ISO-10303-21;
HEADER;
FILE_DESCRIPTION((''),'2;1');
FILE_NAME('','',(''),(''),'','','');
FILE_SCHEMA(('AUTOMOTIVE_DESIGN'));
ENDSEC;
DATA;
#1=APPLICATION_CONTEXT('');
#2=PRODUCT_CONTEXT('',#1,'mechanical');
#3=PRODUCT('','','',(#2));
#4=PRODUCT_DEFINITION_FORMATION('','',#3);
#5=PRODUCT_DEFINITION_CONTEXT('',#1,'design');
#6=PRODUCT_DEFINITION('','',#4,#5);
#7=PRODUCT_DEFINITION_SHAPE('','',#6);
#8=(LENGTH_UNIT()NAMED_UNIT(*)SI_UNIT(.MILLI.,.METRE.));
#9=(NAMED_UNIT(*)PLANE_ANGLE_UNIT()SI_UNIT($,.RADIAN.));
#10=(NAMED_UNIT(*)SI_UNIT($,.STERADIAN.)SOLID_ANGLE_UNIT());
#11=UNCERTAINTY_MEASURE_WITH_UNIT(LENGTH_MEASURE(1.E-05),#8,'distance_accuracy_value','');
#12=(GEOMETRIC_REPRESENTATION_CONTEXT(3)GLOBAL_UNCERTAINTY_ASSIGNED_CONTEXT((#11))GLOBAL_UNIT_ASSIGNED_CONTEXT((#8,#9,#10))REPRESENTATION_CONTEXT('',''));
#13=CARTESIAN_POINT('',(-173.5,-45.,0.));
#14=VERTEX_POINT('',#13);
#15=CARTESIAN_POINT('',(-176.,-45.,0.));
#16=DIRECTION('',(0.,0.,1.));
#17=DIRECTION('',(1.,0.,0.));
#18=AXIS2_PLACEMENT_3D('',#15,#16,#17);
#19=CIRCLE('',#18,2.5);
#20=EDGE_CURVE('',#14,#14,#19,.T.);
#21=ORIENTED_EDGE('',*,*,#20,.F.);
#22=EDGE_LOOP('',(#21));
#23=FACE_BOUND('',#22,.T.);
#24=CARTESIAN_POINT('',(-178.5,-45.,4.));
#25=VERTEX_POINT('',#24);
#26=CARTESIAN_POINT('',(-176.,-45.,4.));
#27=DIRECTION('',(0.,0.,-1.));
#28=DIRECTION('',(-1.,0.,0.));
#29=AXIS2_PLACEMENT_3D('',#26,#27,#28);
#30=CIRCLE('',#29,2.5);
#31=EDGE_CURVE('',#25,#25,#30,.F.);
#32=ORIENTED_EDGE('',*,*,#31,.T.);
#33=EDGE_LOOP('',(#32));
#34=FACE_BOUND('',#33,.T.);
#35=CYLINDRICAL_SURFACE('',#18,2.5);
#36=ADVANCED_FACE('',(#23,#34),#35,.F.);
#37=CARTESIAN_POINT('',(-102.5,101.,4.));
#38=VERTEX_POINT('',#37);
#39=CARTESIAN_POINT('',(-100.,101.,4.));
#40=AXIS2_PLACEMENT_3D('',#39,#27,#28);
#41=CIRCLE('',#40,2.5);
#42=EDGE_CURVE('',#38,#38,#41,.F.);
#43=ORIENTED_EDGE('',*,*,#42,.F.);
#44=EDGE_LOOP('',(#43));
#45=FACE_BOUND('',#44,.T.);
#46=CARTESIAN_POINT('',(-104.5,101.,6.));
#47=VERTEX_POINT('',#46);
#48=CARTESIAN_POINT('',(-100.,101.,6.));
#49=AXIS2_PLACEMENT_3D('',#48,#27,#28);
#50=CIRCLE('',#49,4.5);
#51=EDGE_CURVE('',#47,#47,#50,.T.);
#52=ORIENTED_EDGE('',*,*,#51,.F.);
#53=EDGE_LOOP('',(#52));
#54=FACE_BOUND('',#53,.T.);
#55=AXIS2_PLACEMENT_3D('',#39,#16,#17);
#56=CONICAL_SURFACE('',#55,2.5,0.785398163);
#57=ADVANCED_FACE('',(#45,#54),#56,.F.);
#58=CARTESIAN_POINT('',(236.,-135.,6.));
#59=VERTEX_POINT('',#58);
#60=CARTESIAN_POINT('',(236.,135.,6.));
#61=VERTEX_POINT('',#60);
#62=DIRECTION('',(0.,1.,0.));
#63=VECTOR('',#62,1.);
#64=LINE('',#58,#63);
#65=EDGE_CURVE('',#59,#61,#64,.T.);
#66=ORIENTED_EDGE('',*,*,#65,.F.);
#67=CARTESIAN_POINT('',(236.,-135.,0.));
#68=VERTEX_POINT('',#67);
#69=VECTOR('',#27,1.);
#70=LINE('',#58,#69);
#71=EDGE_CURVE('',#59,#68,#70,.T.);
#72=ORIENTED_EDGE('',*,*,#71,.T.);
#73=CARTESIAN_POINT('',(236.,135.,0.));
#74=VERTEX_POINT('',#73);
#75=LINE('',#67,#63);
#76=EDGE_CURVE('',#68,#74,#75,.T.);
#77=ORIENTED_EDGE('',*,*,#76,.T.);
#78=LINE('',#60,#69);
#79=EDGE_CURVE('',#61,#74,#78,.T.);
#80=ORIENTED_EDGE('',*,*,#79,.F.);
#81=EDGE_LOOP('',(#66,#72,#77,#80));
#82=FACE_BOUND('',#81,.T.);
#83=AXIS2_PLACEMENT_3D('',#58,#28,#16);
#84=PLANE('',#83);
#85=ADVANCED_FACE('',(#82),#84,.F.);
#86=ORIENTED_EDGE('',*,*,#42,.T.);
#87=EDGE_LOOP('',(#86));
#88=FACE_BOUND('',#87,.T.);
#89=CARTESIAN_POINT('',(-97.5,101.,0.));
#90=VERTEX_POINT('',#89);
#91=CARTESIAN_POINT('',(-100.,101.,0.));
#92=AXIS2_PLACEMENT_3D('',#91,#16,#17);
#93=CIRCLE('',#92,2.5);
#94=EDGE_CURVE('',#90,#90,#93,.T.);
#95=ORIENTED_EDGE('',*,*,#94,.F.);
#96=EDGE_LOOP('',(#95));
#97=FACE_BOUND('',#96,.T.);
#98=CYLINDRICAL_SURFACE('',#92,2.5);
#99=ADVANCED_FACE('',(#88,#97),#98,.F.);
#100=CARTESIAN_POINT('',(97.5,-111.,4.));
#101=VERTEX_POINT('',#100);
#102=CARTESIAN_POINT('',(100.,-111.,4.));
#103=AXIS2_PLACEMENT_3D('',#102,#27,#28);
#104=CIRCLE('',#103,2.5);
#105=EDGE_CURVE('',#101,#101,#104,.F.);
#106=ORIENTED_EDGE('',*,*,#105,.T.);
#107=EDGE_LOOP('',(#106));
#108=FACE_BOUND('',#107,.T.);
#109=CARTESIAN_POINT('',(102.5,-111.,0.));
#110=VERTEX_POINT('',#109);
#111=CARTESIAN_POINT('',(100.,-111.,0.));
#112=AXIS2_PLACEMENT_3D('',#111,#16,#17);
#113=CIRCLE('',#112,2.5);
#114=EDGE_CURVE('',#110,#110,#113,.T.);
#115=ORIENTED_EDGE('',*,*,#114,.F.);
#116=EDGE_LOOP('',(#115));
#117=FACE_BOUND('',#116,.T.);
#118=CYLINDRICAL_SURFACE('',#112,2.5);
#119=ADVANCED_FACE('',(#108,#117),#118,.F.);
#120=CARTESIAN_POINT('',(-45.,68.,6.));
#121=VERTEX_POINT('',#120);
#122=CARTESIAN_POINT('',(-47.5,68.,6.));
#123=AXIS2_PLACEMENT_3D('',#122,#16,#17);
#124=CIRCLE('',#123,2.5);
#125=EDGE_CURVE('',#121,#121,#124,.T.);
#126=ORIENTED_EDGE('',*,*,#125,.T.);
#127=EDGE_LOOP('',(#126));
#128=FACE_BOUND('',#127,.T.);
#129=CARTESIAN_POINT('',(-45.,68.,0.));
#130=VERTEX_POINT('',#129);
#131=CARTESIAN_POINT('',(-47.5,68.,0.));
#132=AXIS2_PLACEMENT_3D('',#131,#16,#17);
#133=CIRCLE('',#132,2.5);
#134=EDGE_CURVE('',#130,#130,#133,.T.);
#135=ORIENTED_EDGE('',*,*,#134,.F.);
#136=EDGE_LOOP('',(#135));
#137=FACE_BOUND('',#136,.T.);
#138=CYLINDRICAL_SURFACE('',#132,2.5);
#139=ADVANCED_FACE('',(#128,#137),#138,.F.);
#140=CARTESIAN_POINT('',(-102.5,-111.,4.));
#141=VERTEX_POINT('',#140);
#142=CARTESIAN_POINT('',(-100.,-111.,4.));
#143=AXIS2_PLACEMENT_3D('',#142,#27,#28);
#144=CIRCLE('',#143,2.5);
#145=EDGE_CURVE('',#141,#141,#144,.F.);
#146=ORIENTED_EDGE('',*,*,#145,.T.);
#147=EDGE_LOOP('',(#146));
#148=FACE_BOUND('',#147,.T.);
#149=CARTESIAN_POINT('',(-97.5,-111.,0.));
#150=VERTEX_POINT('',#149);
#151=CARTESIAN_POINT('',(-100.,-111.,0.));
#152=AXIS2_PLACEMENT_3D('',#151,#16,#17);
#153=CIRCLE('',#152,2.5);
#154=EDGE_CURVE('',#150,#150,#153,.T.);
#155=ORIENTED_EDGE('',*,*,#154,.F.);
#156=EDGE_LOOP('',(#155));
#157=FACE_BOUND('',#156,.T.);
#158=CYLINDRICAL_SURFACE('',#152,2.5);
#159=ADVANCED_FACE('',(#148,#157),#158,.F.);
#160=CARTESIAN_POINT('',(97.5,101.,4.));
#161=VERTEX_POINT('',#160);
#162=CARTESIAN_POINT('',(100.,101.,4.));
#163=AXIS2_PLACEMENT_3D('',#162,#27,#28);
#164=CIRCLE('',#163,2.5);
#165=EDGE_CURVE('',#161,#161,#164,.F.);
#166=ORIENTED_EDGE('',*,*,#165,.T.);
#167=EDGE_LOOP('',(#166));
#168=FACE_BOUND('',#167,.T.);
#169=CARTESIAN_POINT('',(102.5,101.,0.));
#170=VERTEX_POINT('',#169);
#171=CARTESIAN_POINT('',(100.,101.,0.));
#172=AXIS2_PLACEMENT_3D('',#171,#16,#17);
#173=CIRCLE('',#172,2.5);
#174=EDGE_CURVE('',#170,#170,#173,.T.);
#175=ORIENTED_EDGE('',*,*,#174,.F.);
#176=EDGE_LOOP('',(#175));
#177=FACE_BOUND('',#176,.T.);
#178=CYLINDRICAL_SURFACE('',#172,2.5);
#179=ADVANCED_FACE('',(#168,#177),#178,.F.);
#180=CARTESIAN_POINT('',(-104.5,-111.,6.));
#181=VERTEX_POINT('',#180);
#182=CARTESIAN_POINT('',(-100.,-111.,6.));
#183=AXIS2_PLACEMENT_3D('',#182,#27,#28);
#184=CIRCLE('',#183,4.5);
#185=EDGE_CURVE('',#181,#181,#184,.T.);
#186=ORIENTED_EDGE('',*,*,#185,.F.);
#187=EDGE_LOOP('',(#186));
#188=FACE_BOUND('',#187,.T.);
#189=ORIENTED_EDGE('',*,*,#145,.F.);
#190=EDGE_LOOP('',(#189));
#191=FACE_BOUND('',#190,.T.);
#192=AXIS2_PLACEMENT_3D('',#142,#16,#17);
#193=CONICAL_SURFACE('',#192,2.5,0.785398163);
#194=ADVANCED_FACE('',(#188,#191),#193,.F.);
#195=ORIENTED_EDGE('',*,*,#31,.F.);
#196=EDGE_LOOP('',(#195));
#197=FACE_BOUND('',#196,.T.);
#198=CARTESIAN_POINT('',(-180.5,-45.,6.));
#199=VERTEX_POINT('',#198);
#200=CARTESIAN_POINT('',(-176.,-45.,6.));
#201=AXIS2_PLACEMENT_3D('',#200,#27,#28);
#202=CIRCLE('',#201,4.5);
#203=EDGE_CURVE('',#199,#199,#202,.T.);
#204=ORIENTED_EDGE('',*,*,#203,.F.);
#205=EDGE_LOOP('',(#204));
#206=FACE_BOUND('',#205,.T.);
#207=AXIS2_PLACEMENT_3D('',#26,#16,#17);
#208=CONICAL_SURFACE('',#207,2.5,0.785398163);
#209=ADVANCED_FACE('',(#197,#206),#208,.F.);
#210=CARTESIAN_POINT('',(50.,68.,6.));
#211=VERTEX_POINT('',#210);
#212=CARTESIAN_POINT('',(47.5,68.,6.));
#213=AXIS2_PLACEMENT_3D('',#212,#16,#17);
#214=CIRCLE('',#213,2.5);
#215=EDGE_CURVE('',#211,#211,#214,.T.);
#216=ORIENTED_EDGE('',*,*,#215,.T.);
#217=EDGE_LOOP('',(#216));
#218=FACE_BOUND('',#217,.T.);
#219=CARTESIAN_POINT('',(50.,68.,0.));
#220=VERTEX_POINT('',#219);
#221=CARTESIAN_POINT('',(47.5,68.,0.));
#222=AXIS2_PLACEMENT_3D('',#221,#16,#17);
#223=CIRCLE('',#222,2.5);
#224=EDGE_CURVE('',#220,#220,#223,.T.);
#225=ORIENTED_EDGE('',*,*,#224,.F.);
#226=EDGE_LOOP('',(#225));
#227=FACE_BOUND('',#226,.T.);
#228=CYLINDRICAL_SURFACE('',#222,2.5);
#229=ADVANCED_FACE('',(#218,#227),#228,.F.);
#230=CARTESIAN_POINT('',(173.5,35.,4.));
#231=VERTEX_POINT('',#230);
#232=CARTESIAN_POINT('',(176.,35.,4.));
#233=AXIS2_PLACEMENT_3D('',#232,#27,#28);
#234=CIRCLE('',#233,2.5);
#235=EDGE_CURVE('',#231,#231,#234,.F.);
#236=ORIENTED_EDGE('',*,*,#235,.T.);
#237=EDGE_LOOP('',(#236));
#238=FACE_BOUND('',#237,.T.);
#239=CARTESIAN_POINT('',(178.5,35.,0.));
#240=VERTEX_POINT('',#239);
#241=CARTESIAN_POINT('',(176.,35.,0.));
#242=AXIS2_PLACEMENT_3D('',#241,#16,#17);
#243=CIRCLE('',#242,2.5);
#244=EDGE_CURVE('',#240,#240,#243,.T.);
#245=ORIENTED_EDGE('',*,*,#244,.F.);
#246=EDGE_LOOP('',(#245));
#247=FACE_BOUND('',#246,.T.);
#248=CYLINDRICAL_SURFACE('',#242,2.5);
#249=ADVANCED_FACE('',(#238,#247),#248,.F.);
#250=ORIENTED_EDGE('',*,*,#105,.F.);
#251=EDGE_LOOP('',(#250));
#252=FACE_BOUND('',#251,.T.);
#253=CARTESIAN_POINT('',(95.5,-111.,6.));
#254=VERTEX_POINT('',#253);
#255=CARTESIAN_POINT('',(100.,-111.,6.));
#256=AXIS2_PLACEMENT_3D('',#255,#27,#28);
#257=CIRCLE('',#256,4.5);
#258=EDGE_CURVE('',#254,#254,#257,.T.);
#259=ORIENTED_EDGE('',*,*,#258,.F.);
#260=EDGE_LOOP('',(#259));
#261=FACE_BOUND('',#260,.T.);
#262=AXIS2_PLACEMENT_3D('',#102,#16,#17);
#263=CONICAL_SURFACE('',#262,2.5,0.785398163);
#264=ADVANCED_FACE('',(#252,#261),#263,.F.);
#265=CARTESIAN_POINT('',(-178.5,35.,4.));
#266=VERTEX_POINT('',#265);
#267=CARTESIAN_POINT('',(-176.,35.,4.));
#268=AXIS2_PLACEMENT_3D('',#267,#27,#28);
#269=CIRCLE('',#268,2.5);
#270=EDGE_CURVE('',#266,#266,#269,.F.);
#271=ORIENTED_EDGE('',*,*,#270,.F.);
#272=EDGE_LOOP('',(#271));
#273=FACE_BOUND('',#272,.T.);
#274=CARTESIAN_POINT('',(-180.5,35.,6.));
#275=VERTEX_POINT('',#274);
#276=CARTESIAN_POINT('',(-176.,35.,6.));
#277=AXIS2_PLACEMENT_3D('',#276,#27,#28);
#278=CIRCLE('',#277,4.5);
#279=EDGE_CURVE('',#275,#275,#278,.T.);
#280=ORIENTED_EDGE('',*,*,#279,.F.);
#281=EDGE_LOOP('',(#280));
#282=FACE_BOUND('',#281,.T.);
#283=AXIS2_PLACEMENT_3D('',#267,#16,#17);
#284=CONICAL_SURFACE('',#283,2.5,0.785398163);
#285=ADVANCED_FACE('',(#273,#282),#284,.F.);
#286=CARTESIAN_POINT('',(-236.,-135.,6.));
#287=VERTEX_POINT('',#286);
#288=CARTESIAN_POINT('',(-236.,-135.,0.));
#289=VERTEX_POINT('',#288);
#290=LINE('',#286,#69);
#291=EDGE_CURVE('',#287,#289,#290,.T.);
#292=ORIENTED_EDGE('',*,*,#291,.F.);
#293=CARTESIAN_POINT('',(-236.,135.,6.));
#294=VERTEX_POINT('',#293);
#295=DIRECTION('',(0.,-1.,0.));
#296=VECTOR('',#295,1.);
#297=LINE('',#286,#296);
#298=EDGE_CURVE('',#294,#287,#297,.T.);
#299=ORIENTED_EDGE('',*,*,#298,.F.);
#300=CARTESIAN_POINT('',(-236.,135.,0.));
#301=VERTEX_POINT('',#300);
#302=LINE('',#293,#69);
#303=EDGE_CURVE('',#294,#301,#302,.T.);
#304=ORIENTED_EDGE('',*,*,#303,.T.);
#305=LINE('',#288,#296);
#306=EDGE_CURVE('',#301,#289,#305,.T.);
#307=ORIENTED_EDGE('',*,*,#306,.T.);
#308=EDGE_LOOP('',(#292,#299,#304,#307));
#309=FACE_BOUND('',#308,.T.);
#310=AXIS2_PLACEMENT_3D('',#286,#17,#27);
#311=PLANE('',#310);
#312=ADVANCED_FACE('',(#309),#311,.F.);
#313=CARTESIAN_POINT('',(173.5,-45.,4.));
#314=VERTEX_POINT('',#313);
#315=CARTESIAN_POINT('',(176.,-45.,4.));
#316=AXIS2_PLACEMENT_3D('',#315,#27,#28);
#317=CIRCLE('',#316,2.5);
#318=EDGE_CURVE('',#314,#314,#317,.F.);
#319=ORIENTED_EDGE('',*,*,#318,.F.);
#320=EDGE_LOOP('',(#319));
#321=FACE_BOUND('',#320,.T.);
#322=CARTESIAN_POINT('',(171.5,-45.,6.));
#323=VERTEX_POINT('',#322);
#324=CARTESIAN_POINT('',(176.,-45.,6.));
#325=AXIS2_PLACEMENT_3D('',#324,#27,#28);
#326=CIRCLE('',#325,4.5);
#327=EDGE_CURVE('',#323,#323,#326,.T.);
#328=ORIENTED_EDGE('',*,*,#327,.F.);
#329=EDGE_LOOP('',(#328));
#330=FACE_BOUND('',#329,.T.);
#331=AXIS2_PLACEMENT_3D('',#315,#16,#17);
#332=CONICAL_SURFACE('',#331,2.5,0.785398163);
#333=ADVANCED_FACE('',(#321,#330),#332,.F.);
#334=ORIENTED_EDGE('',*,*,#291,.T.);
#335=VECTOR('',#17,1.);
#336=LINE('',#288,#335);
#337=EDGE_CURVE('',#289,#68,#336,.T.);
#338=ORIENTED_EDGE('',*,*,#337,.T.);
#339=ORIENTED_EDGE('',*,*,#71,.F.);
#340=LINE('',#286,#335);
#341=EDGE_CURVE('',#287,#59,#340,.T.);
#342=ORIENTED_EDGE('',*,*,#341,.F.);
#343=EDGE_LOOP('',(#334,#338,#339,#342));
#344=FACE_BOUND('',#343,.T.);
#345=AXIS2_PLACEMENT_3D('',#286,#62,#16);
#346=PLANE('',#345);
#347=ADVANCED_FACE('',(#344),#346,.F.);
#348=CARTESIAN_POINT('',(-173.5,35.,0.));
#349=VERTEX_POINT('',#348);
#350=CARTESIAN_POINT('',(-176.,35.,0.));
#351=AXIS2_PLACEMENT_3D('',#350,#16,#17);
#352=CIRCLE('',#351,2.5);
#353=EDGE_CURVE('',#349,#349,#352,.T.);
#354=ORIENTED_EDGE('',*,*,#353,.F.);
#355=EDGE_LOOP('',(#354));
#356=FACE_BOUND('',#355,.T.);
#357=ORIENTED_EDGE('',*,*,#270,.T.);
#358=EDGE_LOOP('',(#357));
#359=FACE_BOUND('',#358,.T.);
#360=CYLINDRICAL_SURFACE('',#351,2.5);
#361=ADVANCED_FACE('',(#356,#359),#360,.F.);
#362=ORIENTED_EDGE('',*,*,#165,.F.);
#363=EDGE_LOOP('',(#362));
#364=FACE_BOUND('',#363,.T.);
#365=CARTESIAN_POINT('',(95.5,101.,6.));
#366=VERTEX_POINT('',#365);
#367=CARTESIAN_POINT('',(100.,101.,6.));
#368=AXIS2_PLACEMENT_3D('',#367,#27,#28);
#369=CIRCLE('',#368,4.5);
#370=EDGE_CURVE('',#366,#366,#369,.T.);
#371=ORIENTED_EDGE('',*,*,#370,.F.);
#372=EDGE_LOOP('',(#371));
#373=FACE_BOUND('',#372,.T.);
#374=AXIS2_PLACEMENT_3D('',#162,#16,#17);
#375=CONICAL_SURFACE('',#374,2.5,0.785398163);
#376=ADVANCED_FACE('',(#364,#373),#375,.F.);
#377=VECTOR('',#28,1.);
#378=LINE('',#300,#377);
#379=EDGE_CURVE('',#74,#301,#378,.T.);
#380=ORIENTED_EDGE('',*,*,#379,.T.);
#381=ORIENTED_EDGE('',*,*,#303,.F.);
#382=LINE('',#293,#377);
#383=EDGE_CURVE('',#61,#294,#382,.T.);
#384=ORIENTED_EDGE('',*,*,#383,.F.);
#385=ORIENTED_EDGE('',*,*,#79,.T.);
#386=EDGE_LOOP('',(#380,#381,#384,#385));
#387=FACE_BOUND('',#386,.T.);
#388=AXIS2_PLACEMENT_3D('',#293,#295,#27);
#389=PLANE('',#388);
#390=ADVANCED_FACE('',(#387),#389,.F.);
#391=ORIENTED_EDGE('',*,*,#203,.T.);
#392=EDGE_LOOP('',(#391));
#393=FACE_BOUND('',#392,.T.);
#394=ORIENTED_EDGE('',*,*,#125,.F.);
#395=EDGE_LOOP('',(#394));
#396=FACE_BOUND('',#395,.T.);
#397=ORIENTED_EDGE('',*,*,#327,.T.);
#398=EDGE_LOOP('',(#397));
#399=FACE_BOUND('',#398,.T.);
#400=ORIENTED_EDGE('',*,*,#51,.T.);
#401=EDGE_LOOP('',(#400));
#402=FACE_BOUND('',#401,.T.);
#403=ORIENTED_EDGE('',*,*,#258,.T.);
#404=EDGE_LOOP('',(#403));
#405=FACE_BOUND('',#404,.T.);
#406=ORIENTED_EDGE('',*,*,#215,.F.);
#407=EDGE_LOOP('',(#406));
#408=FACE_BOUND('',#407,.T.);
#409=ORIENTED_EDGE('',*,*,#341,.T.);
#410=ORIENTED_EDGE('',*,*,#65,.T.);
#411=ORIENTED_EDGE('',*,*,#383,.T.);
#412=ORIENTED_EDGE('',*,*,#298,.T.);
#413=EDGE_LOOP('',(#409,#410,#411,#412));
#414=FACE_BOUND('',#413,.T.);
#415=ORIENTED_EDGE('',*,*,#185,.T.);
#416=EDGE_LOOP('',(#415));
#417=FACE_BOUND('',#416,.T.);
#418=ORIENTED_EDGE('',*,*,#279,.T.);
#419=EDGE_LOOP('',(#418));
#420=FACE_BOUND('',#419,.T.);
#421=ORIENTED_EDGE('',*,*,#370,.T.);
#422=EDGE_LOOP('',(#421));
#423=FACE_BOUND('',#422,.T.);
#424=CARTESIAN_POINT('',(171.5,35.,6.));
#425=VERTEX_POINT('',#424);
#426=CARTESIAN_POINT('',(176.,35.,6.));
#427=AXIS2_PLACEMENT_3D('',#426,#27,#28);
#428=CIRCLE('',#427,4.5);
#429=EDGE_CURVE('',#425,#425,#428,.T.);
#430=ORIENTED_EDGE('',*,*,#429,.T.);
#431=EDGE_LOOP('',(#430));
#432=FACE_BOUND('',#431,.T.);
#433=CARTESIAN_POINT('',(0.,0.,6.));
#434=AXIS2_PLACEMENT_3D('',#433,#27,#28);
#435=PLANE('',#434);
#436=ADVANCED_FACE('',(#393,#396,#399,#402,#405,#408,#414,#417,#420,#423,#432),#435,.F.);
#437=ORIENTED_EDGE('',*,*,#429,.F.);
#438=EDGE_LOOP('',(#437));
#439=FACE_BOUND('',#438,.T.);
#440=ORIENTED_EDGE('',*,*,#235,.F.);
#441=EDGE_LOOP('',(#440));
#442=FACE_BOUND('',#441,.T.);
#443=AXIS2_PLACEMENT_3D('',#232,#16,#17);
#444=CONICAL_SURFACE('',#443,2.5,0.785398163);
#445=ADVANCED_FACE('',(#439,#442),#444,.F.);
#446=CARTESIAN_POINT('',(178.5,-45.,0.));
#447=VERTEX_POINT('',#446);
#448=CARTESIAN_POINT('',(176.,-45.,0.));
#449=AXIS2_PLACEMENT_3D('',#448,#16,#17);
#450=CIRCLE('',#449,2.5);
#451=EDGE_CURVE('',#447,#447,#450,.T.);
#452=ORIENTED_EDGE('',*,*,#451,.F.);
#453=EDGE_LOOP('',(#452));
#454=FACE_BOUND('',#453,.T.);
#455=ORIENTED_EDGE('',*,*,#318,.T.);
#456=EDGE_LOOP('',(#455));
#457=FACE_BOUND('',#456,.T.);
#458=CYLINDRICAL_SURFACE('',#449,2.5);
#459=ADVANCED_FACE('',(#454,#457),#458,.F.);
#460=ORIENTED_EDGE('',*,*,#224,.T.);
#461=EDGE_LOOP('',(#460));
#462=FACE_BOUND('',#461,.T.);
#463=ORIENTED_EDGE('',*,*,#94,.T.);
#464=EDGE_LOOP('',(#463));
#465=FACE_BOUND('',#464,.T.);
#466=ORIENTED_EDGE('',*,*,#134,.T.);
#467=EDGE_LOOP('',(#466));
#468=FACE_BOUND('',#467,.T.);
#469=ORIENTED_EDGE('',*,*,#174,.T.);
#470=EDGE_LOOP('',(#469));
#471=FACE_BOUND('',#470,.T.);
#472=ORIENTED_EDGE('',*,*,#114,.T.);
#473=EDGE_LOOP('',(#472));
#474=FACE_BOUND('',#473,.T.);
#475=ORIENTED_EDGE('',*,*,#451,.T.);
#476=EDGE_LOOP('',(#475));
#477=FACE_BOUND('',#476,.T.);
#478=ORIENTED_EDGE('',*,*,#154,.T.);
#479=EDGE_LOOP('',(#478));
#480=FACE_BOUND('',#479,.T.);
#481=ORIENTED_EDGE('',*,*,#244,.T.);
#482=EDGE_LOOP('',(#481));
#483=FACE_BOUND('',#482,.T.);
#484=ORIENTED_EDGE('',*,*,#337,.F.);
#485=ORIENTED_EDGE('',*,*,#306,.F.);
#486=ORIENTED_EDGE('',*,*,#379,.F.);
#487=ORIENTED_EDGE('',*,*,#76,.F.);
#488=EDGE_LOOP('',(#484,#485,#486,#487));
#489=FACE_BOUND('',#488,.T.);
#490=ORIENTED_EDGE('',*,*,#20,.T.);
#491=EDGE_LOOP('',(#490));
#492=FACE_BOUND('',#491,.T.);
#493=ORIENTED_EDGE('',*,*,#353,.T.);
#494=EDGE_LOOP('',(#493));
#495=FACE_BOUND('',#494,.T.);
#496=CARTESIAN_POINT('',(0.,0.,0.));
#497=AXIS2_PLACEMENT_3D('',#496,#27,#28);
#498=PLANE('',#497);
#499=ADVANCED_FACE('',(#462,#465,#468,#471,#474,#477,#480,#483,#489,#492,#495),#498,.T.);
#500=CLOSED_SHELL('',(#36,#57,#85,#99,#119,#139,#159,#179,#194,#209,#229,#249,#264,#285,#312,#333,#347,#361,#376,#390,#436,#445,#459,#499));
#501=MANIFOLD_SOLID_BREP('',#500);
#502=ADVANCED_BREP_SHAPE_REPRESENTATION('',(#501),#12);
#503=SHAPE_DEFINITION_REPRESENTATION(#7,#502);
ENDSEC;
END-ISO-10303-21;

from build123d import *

# Parameters (mm, degrees)
ESQUISSE1_W             = 472
ESQUISSE1_H             = 270
BOSS_EXTRU_1_DEPTH      = 6
ESQUISSE2_R             = 2.5
ENL_V_MAT_EXTRU_1_DEPTH = 272.950363118
CHANFREIN1_SIZE         = 2
ESQUISSE3_R             = 2.5
ENL_V_MAT_EXTRU_2_DEPTH = 272.950363118


with BuildPart() as part:
    # Esquisse1 → Boss.-Extru.1 (new body)
    with BuildSketch(Plane.XY):
        Rectangle(ESQUISSE1_W, ESQUISSE1_H)
    extrude(amount=BOSS_EXTRU_1_DEPTH)

    # Esquisse2 → Enlèv. mat.-Extru.1 (cut, through all)
    with BuildSketch(Plane.XY.offset(6)):
        with Locations((-100, 101)):
            Circle(ESQUISSE2_R)
        with Locations((100, 101)):
            Circle(ESQUISSE2_R)
        with Locations((176, 35)):
            Circle(ESQUISSE2_R)
        with Locations((176, -45)):
            Circle(ESQUISSE2_R)
        with Locations((100, -111)):
            Circle(ESQUISSE2_R)
        with Locations((-100, -111)):
            Circle(ESQUISSE2_R)
        with Locations((-176, -45)):
            Circle(ESQUISSE2_R)
        with Locations((-176, 35)):
            Circle(ESQUISSE2_R)
    extrude(amount=-ENL_V_MAT_EXTRU_1_DEPTH, mode=Mode.SUBTRACT)

    # Chanfrein1
    chanfrein1_edges = [part.edges().sort_by_distance(p)[0] for p in [
        (-178.5, 35, 6),
        (-178.5, -45, 6),
        (-102.5, -111, 6),
        (97.5, -111, 6),
        (173.5, -45, 6),
        (173.5, 35, 6),
        (97.5, 101, 6),
        (-102.5, 101, 6),
    ]]
    chamfer(chanfrein1_edges, length=CHANFREIN1_SIZE)

    # Esquisse3 → Enlèv. mat.-Extru.2 (cut, through all)
    with BuildSketch(Plane.XY.offset(6)):
        with Locations((-47.5, 68)):
            Circle(ESQUISSE3_R)
        with Locations((47.5, 68)):
            Circle(ESQUISSE3_R)
    extrude(amount=-ENL_V_MAT_EXTRU_2_DEPTH, mode=Mode.SUBTRACT)


solid = part.part
